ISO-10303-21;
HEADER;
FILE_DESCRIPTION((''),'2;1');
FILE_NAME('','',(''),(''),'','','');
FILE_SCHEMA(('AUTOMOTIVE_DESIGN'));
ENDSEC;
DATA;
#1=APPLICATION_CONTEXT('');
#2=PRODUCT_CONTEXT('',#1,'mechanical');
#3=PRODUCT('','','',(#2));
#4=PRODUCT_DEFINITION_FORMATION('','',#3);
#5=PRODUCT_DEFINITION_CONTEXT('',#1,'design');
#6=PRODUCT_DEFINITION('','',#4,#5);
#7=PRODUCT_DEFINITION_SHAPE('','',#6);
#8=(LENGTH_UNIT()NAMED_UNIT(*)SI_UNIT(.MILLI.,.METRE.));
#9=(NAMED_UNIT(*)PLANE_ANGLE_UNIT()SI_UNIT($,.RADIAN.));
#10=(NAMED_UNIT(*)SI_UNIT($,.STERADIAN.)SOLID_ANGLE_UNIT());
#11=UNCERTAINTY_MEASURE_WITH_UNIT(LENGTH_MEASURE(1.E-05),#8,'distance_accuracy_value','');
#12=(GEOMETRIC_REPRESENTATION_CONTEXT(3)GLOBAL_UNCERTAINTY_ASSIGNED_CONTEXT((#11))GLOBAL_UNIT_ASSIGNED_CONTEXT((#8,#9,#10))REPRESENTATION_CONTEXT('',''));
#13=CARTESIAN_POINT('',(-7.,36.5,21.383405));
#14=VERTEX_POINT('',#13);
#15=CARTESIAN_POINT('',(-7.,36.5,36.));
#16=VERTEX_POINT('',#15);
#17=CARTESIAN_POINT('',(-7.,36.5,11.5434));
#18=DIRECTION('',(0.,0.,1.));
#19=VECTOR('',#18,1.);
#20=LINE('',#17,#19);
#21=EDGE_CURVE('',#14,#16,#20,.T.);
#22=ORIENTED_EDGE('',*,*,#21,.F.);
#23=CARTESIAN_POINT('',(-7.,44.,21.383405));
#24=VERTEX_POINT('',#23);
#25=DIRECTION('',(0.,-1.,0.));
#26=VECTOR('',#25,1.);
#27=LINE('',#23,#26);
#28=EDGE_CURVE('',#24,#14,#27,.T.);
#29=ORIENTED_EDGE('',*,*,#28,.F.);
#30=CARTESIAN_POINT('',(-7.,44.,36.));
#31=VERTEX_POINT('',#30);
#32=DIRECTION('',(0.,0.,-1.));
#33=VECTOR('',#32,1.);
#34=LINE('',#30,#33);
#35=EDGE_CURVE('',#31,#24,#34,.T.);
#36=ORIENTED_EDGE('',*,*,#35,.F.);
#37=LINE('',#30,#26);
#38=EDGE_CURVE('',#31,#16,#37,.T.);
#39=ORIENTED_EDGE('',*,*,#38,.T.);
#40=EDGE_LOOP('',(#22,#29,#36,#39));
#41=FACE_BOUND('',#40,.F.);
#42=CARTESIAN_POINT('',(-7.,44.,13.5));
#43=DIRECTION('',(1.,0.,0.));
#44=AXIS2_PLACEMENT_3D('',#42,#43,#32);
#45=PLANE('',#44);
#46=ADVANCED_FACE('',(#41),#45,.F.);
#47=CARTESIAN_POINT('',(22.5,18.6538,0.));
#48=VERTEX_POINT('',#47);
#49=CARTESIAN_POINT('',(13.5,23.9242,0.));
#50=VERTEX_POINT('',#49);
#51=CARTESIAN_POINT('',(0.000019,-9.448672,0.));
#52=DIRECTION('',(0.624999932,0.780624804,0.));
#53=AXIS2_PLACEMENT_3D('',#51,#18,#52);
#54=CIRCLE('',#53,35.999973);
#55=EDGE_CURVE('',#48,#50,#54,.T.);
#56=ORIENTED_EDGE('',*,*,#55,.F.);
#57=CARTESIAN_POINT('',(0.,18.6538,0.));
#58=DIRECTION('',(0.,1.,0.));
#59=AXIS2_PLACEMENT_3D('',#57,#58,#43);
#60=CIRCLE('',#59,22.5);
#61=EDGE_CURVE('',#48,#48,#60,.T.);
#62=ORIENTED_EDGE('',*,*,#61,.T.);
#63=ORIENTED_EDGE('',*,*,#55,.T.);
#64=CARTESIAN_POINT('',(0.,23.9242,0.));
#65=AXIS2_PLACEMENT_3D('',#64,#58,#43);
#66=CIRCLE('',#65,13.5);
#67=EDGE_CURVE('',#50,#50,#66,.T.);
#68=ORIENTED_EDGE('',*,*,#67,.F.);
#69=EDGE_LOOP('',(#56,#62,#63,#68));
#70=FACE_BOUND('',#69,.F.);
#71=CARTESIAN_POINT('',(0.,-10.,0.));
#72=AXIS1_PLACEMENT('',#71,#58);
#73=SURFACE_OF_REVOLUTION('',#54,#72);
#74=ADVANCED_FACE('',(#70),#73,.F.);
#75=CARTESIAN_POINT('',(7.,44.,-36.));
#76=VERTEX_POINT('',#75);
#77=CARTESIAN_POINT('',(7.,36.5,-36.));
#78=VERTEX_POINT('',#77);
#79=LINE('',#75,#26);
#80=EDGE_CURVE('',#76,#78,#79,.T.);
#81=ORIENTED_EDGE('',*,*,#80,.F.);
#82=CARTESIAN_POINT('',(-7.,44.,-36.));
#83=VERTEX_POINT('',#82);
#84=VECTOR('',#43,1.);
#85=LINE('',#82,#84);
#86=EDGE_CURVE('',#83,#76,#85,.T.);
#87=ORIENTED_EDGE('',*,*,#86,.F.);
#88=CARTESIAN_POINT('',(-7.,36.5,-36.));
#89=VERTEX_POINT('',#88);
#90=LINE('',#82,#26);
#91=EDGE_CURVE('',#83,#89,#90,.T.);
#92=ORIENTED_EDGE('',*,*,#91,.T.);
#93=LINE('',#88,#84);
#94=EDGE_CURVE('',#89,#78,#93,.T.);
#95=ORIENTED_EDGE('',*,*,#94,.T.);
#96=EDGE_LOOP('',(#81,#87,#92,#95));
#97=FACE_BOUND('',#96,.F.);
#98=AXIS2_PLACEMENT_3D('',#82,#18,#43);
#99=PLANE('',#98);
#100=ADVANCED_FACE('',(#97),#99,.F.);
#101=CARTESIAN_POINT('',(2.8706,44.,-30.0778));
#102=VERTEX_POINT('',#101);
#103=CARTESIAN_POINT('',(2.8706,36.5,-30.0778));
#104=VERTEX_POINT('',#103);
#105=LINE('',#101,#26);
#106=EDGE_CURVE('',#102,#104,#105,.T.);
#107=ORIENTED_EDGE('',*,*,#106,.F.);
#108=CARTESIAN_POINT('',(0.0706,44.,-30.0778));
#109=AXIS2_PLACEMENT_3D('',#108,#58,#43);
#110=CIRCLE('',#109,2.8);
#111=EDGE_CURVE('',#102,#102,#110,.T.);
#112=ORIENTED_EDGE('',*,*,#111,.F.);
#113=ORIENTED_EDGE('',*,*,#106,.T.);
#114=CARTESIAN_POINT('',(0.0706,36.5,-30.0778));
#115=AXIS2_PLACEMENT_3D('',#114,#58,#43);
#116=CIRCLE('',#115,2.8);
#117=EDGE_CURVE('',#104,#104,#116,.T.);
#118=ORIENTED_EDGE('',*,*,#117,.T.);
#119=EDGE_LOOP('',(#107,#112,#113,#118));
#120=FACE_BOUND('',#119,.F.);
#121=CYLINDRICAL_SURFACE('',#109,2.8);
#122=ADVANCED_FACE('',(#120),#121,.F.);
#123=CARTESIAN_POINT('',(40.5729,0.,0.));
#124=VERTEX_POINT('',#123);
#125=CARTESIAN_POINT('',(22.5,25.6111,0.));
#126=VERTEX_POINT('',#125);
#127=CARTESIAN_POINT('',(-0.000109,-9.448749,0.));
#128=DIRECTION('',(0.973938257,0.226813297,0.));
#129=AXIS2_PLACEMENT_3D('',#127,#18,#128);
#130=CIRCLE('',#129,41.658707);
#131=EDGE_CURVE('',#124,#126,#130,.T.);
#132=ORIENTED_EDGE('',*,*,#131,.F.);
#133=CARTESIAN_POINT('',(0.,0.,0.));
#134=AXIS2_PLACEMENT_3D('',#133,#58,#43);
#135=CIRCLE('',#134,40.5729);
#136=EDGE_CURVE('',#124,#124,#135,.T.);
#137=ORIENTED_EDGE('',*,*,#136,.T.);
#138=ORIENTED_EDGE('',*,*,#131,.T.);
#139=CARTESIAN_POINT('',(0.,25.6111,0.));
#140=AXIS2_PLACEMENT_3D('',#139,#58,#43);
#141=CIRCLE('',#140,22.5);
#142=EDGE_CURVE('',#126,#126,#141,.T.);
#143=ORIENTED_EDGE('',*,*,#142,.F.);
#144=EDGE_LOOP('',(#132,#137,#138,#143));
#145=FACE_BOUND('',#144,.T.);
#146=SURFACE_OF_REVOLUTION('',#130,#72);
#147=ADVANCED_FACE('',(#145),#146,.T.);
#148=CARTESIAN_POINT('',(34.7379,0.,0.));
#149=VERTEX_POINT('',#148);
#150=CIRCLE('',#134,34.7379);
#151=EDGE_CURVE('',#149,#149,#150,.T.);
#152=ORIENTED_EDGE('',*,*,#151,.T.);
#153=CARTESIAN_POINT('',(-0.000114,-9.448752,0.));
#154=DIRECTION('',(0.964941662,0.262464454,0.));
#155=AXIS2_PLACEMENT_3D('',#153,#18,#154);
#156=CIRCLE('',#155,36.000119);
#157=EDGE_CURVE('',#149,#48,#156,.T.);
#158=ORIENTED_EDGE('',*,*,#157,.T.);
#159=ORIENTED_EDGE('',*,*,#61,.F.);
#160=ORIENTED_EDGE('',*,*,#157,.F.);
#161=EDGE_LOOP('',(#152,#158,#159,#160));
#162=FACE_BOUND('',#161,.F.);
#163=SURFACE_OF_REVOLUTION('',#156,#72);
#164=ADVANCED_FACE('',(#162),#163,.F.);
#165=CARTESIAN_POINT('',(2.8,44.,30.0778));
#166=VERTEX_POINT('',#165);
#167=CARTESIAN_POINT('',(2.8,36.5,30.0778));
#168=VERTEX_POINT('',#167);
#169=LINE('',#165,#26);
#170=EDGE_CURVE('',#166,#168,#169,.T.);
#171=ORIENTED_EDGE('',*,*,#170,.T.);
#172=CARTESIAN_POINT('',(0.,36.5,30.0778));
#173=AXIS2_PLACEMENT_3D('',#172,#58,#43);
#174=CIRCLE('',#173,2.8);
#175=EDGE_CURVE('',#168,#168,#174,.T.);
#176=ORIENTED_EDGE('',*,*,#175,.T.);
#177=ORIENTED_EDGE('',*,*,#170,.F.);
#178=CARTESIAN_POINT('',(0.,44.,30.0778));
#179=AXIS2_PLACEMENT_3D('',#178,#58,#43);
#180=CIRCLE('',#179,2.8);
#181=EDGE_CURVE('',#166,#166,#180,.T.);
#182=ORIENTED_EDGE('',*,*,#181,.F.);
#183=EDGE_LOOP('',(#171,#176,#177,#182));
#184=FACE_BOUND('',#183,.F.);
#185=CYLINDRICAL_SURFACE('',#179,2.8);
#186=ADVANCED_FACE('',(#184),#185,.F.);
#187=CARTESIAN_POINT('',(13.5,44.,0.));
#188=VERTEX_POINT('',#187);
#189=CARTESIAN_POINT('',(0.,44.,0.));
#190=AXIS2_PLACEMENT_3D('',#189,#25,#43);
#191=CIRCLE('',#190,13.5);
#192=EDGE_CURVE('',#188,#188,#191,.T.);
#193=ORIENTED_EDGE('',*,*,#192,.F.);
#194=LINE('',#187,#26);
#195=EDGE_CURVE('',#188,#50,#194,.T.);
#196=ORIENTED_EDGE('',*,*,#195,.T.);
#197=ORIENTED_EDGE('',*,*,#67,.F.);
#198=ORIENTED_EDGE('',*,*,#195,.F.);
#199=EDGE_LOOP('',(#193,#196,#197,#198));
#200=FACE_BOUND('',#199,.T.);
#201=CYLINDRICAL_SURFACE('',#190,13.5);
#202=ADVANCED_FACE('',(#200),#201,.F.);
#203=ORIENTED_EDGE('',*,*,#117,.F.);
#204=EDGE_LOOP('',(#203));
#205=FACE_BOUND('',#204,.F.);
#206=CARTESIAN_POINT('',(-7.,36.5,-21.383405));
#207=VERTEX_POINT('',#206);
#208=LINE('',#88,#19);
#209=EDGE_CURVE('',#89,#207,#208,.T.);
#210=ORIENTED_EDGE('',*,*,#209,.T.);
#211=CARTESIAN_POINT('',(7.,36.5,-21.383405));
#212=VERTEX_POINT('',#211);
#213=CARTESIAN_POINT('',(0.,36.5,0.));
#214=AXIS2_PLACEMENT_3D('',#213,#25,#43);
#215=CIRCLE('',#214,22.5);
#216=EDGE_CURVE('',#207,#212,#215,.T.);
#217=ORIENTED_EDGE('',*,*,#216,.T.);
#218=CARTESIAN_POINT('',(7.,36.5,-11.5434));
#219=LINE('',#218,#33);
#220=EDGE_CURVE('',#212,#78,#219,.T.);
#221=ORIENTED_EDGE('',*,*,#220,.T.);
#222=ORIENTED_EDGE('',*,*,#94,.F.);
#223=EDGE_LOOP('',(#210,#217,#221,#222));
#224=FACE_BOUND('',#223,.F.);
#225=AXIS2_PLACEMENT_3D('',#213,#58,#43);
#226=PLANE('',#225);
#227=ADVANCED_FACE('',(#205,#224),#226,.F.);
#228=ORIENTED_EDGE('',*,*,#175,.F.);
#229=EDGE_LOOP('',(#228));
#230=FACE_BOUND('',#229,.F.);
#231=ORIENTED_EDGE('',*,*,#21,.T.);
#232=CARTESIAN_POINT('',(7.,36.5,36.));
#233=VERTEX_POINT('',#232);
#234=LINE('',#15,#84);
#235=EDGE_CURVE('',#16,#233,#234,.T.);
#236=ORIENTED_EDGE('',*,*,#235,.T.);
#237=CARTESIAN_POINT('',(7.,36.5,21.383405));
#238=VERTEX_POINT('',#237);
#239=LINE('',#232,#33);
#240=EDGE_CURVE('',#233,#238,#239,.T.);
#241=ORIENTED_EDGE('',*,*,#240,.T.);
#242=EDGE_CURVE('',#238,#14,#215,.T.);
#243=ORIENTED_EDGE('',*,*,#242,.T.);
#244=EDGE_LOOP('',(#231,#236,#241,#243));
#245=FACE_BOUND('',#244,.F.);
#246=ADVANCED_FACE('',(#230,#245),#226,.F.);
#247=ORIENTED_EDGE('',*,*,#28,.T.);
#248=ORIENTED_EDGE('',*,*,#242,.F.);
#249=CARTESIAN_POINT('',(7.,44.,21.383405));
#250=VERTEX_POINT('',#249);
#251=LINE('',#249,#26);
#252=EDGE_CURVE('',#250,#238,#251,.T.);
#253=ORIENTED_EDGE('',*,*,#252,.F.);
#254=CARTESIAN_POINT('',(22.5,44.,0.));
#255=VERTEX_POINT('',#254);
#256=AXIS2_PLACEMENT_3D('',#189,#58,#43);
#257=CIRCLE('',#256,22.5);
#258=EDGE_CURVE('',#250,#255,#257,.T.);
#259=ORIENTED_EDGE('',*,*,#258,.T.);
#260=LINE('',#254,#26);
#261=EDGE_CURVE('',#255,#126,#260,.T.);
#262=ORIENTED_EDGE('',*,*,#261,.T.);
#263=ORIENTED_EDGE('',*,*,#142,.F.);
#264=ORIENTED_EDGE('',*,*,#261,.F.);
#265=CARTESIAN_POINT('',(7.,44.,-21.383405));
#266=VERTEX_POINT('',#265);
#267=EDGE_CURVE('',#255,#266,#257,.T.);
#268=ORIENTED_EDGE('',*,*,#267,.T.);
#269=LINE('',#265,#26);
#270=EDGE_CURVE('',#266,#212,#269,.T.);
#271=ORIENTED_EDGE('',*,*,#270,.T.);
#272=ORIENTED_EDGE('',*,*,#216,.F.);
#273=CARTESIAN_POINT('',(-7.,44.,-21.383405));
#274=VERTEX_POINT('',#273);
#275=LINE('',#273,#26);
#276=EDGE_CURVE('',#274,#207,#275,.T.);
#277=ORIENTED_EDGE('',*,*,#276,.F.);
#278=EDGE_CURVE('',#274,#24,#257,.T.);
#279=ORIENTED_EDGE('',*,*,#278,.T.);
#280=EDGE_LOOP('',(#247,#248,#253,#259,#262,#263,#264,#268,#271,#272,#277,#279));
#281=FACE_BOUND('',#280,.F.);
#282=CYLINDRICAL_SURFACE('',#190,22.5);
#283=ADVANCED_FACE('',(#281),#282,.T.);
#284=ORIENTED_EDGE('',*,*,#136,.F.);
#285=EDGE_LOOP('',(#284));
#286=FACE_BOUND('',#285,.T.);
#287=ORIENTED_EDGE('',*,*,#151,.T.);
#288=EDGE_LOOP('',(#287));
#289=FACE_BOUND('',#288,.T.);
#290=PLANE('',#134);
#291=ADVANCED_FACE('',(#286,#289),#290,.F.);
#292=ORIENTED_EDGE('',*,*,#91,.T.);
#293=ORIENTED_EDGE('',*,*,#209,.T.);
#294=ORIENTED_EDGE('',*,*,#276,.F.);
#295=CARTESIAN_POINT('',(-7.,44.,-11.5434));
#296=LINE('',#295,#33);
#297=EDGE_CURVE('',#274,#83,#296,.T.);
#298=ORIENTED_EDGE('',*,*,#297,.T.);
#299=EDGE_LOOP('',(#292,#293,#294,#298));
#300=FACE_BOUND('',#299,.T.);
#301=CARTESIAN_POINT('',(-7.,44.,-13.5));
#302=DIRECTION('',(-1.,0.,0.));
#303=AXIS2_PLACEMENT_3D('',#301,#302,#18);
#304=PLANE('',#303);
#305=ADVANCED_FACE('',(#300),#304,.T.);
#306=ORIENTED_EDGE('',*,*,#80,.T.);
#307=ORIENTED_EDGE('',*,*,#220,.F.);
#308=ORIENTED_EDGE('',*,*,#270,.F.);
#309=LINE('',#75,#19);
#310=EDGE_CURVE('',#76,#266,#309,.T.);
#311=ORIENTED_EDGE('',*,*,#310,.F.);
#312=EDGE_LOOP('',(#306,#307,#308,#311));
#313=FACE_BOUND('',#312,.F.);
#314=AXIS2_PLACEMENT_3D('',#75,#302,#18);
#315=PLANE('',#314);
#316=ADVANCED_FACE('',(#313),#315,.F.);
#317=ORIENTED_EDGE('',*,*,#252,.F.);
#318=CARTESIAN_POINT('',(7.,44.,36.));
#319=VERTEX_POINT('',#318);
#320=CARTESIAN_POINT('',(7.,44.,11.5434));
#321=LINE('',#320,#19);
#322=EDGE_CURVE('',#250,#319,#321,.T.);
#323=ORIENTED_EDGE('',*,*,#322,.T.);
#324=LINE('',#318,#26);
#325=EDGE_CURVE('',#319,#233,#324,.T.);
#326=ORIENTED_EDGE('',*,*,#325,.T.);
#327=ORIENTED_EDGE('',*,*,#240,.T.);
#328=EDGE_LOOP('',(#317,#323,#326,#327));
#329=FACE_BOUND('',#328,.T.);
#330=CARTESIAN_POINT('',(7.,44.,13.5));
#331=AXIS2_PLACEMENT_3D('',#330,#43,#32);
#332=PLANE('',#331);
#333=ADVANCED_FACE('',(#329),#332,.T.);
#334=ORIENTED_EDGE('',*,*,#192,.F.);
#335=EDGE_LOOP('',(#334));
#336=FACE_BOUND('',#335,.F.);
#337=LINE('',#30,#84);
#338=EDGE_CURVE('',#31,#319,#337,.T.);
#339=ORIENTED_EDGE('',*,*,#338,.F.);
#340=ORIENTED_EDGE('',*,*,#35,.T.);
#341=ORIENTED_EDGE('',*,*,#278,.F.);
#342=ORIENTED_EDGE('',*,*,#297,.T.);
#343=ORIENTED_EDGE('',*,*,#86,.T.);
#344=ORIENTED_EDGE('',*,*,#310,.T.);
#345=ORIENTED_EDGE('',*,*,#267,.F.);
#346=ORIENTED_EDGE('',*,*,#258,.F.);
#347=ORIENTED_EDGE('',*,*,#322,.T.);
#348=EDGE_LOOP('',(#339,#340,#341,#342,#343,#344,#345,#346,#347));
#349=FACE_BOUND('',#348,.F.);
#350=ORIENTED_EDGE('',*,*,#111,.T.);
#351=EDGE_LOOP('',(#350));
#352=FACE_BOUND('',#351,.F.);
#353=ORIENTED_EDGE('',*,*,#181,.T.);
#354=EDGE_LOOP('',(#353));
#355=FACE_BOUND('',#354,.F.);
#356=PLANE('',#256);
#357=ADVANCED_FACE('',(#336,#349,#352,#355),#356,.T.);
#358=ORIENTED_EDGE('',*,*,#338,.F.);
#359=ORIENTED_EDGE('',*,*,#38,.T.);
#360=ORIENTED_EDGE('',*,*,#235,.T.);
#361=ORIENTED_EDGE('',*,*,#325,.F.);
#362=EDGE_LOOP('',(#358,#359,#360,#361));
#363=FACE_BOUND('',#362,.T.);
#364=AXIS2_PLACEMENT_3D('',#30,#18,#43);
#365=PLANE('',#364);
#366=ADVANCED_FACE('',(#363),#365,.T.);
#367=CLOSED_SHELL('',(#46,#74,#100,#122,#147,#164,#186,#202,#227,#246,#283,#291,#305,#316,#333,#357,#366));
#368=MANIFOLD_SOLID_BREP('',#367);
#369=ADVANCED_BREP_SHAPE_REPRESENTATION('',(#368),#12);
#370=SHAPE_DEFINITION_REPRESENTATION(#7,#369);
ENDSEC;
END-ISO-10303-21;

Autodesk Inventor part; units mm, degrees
ref_plane "YZ Plane" through (0, 0, 0) normal (1, 0, 0) x (0, 1, 0)
ref_plane "XZ Plane" through (0, 0, 0) normal (0, 1, 0) x (-1, 0, 0)
ref_plane "XY Plane" through (0, 0, 0) normal (0, 0, 1) x (1, 0, 0)
sketch "Sketch1" plane through (0, 0, 0) normal (0, 0, 1) x (1, 0, 0)
  line L0 (22.5, 44) -> (22.5, 25.6111)
  line L1 (13.5, 44) -> (13.5, 29.9618)
  arc A0 (22.5, 18.6538) -> (13.5, 23.9242) centre (0, -9.4487) ccw
  arc A1 (34.7379, 0) -> (22.5, 18.6538) centre (0, -9.4487) ccw
  arc A2 (40.5729, 0) -> (22.5, 25.6111) centre (0, -9.4487) ccw
  line L2 (13.5, 29.9618) -> (13.5, 23.9242)
  line L3 (13.5, 44) -> (22.5, 44)
  line L4 (34.7379, 0) -> (40.5729, 0)
  line L5 (0, -20.1384) -> (0, 54.6897) projected
  point P0 (0, 0)
revolve "Revolution1" add sketch "Sketch1" angle 360 about axis through (0, -10, 0) along (0, 1, 0)
sketch "Sketch2" plane through (0, 44, 0) normal (0, 1, 0) x (1, 0, 0)
  line L0 (-7, -13.5) -> (-7, -36)
  line L1 (-7, -36) -> (7, -36)
  line L2 (7, -36) -> (7, -13.5)
  line L3 (7, -13.5) -> (7, -11.5434)
  circle A0 centre (0, 0) radius 13.5 projected
  line L4 (-7, -13.5) -> (-7, -11.5434)
  line L5 (-7, 13.5) -> (-7, 36)
  line L6 (-7, 36) -> (7, 36)
  line L7 (7, 36) -> (7, 13.5)
  line L8 (-7, 13.5) -> (-7, 11.5434)
  line L9 (7, 13.5) -> (7, 11.5434)
  dimension "d12" = 14
  dimension "d13" = 22.5
  dimension "d16" = 14
  dimension "d17" = 22.5
extrude "Extrusion1" add sketch "Sketch2" against normal blind 7.5 contours L4 A0 L3 L2 L1 L0 | L8 L5 L6 L7 L9 A0
sketch "Sketch3" plane through (-7, 44, -36) normal (0, 1, 0) x (1, 0, 0)
  circle A0 centre (7, -66.0778) radius 2.8
  circle A1 centre (7.0706, -5.9222) radius 2.8
  line L0 (14, -14.6166) -> (14, 0) projected
  point P0 (7, -36)
  dimension "d20" = 5.6
  dimension "d21" = 5.6
extrude "Extrusion2" cut sketch "Sketch3" against normal blind 7.5
properties part number "Vacuum Gripper"
